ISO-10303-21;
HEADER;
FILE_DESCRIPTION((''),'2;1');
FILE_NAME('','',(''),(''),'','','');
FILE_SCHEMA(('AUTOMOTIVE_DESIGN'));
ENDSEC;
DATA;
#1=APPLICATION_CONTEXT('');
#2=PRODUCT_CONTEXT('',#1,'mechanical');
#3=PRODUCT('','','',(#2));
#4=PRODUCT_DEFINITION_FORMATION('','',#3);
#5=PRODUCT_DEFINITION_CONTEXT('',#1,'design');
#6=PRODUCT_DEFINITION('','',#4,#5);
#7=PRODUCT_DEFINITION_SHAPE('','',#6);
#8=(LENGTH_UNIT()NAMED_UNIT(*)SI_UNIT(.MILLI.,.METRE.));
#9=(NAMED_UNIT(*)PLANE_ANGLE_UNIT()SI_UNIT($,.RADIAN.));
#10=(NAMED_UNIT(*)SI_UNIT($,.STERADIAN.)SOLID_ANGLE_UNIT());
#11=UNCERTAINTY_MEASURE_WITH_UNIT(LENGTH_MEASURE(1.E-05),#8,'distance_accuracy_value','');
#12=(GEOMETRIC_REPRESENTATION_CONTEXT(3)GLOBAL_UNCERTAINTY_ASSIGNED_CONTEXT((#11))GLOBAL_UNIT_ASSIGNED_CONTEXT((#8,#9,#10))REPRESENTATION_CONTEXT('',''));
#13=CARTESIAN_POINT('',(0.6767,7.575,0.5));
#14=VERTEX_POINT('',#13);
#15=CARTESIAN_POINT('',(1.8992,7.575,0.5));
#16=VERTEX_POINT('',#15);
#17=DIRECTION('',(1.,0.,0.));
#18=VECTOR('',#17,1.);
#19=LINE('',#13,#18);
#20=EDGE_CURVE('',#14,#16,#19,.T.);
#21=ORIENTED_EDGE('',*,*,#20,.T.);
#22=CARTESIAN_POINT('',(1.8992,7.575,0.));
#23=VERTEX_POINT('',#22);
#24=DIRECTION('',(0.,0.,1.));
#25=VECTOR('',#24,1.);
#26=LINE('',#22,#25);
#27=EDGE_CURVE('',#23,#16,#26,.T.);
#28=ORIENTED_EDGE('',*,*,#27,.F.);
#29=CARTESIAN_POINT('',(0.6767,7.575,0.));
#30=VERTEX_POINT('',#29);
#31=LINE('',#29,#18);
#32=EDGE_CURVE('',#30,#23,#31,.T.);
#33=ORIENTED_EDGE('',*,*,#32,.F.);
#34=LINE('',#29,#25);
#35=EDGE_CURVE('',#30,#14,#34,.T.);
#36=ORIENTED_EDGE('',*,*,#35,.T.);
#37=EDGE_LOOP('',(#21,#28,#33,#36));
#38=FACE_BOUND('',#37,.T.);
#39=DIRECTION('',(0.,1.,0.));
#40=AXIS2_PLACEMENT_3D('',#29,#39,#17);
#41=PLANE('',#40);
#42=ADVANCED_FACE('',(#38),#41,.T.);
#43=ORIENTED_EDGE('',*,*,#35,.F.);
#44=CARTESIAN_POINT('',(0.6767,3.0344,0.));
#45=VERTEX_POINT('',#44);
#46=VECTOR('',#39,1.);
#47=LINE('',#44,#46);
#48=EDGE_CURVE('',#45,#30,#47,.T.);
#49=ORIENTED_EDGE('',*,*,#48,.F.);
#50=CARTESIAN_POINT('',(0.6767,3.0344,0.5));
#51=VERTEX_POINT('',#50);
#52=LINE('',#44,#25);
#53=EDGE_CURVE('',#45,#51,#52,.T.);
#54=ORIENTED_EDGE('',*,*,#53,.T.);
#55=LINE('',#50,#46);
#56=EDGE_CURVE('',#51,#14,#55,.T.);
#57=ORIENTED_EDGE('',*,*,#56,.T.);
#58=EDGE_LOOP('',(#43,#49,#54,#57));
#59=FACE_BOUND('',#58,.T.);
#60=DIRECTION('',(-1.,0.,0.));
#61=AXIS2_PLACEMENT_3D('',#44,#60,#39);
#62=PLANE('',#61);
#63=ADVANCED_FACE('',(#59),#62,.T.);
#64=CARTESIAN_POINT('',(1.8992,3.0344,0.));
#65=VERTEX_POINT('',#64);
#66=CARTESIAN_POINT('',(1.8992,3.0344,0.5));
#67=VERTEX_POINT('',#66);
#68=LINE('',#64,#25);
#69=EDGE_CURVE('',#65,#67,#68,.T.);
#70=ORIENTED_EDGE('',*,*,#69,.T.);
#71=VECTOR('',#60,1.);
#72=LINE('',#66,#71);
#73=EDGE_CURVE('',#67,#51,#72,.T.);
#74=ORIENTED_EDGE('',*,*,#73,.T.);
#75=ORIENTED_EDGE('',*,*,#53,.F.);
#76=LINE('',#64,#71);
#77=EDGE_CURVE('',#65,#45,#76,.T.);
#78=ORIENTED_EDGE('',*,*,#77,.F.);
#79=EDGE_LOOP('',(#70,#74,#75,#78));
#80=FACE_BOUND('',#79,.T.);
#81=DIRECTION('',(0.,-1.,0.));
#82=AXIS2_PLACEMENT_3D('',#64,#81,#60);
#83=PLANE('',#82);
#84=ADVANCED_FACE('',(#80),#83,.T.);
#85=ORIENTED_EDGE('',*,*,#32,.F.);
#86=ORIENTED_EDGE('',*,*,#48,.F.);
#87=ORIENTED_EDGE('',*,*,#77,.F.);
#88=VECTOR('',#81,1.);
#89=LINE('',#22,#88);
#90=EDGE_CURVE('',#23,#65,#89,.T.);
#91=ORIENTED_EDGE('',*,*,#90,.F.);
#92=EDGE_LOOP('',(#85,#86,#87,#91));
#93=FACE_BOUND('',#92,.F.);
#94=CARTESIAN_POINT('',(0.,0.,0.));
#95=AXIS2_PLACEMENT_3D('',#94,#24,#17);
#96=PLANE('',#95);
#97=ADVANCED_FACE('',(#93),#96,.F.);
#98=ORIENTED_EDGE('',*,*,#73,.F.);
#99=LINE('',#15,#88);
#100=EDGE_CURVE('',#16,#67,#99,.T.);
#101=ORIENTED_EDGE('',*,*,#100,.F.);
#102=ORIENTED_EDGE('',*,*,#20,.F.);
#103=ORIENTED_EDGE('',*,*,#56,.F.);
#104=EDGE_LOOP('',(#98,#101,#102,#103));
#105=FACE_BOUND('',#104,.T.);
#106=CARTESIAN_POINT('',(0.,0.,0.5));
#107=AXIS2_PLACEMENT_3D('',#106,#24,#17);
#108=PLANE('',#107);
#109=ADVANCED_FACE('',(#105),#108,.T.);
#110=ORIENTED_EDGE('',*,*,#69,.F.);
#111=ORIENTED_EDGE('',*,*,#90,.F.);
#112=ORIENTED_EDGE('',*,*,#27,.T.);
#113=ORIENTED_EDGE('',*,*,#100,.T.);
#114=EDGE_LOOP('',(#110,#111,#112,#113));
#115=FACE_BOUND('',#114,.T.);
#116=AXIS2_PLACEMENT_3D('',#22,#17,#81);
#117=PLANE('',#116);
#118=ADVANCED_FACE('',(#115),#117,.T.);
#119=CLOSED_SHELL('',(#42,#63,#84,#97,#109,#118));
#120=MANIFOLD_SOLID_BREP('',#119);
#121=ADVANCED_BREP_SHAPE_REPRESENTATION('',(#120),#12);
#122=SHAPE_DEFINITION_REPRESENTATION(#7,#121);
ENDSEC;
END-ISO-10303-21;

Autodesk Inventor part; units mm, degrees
ref_plane "YZ Plane" through (0, 0, 0) normal (1, 0, 0) x (0, 1, 0)
ref_plane "XZ Plane" through (0, 0, 0) normal (0, 1, 0) x (-1, 0, 0)
ref_plane "XY Plane" through (0, 0, 0) normal (0, 0, 1) x (1, 0, 0)
sketch "Sketch1" plane through (0, 0, 0) normal (0, 0, 1) x (1, 0, 0)
  line L0 (0.6767, 7.575) -> (1.8992, 7.575)
  line L1 (1.8992, 7.575) -> (1.8992, 3.0344)
  line L2 (1.8992, 3.0344) -> (0.6767, 3.0344)
  line L3 (0.6767, 3.0344) -> (0.6767, 7.575)
  point P0 (0, 0)
extrude "Extrusion1" add sketch "Sketch1" along normal blind 0.5
properties part number "s"
